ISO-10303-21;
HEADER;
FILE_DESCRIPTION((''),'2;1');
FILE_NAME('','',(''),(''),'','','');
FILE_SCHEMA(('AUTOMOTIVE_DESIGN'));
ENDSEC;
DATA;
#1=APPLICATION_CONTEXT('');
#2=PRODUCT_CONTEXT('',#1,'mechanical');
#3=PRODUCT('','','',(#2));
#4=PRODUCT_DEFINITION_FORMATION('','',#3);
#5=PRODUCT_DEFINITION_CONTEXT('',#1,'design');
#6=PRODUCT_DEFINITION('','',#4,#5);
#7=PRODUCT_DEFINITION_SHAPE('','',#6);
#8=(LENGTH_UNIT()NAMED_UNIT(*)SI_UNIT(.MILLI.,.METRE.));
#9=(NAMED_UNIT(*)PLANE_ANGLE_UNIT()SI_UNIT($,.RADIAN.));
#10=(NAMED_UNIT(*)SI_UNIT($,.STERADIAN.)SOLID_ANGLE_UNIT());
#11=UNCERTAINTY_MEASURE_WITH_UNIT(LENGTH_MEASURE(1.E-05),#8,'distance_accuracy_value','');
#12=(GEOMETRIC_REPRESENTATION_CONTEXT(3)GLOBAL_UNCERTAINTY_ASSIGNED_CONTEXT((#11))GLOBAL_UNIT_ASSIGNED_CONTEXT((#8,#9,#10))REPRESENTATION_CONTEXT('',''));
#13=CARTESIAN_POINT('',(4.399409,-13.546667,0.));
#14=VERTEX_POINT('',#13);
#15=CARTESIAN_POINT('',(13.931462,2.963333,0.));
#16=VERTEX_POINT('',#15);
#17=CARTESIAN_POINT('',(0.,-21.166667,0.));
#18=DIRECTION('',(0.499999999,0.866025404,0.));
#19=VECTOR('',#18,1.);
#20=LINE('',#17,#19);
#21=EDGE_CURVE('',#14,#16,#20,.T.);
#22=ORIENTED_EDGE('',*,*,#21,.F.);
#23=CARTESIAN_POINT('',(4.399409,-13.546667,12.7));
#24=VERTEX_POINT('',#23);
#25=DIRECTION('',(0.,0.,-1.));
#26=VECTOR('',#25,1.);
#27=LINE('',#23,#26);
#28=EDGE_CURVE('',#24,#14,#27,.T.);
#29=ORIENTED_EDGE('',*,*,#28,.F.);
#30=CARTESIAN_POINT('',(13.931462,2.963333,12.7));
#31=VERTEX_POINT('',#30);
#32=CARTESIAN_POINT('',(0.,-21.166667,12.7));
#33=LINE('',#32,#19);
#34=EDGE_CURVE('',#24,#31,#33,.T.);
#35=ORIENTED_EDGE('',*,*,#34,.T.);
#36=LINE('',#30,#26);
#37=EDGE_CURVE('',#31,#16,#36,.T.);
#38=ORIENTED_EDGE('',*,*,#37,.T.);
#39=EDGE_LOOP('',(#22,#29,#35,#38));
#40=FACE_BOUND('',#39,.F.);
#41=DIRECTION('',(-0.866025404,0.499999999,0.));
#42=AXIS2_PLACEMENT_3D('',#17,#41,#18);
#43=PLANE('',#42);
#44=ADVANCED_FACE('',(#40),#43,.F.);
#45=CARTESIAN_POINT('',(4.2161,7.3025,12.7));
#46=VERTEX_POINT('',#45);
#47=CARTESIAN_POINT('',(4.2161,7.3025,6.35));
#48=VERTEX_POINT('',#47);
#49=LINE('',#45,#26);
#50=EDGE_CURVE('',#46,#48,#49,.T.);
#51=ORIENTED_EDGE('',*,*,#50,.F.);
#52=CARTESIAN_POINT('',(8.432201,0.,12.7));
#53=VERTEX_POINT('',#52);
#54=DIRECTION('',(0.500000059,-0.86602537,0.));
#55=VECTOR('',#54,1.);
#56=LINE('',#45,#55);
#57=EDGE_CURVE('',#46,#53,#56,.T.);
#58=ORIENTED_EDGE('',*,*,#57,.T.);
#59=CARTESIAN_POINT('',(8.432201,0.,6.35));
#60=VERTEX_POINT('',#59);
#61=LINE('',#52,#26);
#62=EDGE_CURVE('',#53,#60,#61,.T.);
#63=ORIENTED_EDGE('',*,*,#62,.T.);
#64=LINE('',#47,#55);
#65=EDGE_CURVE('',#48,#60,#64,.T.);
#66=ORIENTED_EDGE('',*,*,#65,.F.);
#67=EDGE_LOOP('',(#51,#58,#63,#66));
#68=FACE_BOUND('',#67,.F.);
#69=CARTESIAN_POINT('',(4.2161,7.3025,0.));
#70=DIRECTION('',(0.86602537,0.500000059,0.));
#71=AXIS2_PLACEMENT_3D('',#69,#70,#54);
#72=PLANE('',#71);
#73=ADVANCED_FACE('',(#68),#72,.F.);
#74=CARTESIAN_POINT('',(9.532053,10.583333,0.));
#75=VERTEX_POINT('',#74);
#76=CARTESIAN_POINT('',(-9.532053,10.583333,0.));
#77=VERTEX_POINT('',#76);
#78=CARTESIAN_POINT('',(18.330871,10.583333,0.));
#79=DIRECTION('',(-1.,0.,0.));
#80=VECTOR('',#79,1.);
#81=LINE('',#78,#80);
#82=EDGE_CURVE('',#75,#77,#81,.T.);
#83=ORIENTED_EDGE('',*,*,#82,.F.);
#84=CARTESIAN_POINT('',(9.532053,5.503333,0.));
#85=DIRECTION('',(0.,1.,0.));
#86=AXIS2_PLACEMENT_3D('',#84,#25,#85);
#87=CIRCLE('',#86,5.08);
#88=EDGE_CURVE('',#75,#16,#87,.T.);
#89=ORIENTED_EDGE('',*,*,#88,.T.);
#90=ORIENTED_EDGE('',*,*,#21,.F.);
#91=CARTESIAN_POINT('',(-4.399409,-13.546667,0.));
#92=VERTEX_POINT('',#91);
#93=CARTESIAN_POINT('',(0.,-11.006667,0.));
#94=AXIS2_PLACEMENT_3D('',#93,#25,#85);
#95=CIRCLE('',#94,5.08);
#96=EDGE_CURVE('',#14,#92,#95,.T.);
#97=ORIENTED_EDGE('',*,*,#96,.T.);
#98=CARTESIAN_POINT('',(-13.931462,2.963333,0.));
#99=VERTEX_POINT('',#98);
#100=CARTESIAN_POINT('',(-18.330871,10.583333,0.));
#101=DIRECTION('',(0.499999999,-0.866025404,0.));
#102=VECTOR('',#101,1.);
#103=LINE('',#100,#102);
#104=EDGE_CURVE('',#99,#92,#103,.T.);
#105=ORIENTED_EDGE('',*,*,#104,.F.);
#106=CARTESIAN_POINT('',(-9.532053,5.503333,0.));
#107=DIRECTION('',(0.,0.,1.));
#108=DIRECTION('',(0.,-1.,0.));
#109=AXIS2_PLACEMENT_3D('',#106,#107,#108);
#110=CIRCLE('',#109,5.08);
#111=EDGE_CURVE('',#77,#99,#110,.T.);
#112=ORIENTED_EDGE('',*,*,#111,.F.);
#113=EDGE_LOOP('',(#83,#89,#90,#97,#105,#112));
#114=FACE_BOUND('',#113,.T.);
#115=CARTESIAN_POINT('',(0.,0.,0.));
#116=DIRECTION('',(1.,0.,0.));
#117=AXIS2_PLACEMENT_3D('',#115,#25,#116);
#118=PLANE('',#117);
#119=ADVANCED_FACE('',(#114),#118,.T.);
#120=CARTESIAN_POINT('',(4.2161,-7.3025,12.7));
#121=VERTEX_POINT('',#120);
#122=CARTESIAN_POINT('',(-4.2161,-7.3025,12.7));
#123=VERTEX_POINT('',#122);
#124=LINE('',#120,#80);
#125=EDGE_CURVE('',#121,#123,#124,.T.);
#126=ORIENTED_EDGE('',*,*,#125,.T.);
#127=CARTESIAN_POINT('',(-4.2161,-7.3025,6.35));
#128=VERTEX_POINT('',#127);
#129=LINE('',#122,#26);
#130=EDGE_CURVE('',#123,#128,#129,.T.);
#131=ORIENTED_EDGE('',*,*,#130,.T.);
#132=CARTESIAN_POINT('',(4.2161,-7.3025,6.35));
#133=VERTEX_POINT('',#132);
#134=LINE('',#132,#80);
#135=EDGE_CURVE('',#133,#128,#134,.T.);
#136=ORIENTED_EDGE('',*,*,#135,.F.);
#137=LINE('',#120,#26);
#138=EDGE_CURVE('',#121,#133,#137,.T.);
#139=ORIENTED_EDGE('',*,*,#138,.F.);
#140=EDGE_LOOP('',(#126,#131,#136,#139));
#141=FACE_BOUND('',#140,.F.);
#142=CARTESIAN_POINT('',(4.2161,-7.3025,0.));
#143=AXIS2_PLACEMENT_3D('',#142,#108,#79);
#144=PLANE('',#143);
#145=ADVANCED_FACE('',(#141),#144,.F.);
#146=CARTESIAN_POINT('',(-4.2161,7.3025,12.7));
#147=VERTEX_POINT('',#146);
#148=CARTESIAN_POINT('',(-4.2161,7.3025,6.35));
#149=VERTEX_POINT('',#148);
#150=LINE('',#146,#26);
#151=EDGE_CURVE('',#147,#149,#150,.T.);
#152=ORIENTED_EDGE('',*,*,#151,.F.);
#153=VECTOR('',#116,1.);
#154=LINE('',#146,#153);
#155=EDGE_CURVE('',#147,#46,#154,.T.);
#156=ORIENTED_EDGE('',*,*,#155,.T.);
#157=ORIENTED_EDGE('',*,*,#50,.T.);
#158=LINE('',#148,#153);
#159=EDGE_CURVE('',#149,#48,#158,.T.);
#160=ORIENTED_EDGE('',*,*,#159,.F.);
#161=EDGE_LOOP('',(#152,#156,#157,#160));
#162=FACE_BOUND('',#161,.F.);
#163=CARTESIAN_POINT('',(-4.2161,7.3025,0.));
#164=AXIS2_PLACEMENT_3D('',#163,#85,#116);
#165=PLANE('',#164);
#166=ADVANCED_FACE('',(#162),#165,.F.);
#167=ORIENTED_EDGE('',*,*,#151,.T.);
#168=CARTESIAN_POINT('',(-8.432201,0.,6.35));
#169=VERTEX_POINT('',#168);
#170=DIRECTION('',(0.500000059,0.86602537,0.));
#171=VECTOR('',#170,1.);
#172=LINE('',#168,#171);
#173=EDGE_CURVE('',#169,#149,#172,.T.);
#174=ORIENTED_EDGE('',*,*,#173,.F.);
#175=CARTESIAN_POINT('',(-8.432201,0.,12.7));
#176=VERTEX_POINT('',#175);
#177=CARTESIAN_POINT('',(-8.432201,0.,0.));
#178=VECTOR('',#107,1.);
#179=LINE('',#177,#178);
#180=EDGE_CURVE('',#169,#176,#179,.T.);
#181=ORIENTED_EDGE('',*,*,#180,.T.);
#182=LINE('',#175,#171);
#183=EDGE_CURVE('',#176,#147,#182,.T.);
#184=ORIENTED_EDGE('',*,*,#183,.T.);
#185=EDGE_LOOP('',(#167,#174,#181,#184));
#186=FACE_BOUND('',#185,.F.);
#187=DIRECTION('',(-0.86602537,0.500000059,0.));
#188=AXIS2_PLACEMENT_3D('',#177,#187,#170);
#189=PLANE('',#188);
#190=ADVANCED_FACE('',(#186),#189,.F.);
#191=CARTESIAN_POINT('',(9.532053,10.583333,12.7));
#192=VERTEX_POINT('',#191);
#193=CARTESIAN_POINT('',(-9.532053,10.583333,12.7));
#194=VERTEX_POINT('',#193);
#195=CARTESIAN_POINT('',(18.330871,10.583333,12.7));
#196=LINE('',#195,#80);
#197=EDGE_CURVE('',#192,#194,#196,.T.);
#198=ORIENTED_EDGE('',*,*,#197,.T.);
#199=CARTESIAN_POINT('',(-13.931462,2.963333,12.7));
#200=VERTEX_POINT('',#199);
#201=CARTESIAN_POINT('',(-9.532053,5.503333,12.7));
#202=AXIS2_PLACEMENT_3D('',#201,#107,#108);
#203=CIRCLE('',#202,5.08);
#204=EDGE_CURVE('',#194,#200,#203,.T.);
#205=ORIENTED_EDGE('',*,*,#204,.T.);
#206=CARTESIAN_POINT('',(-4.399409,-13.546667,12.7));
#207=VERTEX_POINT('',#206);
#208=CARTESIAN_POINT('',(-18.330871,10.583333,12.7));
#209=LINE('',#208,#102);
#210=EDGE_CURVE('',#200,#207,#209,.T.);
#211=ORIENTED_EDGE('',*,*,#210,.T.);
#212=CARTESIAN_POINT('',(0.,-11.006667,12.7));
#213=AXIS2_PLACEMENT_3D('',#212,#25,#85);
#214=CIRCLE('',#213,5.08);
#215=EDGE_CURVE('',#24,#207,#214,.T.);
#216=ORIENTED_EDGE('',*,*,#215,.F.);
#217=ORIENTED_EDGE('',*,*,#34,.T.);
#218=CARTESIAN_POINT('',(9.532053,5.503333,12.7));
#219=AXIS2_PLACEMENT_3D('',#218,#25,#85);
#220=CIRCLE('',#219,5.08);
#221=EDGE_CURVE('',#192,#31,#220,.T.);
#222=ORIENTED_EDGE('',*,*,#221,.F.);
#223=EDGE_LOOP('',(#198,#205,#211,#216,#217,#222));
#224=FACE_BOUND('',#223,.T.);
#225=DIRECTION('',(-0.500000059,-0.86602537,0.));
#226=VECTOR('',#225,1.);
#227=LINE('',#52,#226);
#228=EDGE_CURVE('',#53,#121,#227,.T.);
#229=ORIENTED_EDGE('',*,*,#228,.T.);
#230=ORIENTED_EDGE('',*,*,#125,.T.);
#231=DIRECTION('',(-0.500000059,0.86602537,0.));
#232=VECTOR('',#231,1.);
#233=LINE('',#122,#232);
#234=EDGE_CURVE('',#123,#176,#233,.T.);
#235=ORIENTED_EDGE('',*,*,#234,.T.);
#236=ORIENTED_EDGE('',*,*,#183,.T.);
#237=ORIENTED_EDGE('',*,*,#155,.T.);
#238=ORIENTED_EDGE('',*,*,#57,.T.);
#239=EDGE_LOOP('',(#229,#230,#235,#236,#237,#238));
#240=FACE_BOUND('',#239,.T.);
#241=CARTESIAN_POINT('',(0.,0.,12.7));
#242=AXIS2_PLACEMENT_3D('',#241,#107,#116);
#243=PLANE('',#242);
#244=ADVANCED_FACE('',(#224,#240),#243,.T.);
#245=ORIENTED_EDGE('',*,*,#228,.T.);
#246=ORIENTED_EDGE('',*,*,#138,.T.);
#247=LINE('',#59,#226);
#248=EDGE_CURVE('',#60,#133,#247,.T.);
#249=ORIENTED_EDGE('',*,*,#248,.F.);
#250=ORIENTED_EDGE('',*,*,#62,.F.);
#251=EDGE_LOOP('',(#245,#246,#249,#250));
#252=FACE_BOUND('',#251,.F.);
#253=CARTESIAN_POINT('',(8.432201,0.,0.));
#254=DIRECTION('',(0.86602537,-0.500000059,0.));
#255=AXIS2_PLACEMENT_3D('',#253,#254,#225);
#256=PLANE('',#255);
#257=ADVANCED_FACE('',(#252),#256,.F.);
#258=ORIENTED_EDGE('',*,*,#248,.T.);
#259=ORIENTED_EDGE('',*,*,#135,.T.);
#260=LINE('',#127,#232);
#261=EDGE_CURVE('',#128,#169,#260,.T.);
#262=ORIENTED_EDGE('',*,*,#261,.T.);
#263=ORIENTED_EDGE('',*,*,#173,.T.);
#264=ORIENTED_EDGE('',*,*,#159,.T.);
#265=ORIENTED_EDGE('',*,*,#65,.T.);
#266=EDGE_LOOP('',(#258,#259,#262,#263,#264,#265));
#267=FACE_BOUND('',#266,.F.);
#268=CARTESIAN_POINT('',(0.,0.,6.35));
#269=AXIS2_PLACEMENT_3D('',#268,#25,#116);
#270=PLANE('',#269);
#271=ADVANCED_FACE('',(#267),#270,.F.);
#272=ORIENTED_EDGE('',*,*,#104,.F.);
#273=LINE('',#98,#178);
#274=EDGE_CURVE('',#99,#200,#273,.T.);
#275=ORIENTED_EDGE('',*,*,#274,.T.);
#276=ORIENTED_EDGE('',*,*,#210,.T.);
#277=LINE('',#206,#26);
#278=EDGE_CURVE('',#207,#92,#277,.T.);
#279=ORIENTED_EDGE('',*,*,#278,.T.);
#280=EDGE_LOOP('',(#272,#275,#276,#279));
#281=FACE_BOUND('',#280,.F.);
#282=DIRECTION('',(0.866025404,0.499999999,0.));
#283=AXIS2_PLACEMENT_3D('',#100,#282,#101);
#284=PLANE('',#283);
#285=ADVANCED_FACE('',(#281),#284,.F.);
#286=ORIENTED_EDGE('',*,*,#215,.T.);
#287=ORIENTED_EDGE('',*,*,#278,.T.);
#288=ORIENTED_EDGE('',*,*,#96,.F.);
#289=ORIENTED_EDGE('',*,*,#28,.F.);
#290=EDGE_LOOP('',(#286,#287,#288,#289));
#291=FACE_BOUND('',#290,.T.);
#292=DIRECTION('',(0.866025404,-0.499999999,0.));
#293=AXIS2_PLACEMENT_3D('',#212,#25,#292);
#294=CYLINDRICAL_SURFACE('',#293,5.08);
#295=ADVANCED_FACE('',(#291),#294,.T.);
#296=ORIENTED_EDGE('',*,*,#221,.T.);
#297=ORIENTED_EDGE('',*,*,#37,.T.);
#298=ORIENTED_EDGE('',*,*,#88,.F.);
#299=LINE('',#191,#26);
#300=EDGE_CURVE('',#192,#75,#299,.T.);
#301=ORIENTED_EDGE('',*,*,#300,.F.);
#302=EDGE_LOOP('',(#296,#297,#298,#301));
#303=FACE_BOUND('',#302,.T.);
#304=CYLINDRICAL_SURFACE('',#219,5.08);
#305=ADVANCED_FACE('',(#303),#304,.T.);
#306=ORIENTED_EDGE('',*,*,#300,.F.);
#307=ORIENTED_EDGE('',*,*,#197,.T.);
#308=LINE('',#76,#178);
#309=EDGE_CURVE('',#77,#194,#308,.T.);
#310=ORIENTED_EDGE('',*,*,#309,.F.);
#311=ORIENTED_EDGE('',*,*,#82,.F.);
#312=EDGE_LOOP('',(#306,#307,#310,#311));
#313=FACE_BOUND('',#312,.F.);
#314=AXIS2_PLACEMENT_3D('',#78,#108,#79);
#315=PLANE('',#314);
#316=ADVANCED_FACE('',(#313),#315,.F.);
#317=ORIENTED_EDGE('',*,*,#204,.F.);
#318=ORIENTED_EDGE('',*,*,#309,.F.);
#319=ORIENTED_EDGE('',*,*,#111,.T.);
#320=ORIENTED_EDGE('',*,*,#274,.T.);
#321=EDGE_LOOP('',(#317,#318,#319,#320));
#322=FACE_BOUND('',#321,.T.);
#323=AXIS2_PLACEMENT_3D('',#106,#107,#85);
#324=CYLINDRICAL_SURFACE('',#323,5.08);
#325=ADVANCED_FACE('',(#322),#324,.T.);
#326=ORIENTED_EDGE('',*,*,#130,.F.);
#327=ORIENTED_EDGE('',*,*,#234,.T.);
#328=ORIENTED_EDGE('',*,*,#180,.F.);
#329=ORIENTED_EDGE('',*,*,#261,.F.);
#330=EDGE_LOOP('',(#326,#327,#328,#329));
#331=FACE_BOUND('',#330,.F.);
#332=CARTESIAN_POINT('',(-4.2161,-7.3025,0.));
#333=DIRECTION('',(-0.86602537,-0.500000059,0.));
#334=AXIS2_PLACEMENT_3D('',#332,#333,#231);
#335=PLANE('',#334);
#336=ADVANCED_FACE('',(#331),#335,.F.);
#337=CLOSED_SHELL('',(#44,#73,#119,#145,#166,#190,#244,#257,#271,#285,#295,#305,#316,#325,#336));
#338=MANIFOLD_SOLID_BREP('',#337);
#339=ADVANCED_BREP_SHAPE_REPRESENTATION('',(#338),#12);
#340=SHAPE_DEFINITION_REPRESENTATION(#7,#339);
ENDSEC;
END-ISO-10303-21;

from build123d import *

# Parameters (mm, degrees)
F1_DEPTH = 6.35
F2_DEPTH = 12.7
F4_DEPTH = 6.35
F5_R     = 5.08


with BuildPart() as f1:
    # F0 (on Top) → F1 (new body)
    with BuildSketch(Plane.XY):
        Polygon((18.330871, 10.583333), (-18.330871, 10.583333), (0, -21.166667), align=None)
        Polygon((-8.432201, 0), (-4.2161, 7.3025), (4.2161, 7.3025), (8.432201, 0), (4.2161, -7.3025), (-4.2161, -7.3025), align=None, mode=Mode.SUBTRACT)
    extrude(amount=F1_DEPTH)

    # F0 (on Top) → F2 (join)
    with BuildSketch(Plane.XY):
        Polygon((18.330871, 10.583333), (-18.330871, 10.583333), (0, -21.166667), align=None)
        Polygon((-8.432201, 0), (-4.2161, 7.3025), (4.2161, 7.3025), (8.432201, 0), (4.2161, -7.3025), (-4.2161, -7.3025), align=None, mode=Mode.SUBTRACT)
    extrude(amount=F2_DEPTH)

    # F3 (on face) → F4 (join)
    with BuildSketch(Plane(origin=(0, 0, 0), x_dir=(1, 0, 0), z_dir=(0, 0, -1))):
        Polygon((-4.2161, -7.3025), (4.2161, -7.3025), (8.432201, 0), (4.2161, 7.3025), (-4.2161, 7.3025), (-8.432201, 0), align=None)
    extrude(amount=-F4_DEPTH)

    # F5
    f5_edges = [f1.edges().sort_by_distance(p)[0] for p in [
        (18.330871, 10.583333, 6.35),
        (-18.330871, 10.583333, 6.35),
        (0, -21.166667, 6.35),
    ]]
    fillet(f5_edges, radius=F5_R)


solid = f1.part
